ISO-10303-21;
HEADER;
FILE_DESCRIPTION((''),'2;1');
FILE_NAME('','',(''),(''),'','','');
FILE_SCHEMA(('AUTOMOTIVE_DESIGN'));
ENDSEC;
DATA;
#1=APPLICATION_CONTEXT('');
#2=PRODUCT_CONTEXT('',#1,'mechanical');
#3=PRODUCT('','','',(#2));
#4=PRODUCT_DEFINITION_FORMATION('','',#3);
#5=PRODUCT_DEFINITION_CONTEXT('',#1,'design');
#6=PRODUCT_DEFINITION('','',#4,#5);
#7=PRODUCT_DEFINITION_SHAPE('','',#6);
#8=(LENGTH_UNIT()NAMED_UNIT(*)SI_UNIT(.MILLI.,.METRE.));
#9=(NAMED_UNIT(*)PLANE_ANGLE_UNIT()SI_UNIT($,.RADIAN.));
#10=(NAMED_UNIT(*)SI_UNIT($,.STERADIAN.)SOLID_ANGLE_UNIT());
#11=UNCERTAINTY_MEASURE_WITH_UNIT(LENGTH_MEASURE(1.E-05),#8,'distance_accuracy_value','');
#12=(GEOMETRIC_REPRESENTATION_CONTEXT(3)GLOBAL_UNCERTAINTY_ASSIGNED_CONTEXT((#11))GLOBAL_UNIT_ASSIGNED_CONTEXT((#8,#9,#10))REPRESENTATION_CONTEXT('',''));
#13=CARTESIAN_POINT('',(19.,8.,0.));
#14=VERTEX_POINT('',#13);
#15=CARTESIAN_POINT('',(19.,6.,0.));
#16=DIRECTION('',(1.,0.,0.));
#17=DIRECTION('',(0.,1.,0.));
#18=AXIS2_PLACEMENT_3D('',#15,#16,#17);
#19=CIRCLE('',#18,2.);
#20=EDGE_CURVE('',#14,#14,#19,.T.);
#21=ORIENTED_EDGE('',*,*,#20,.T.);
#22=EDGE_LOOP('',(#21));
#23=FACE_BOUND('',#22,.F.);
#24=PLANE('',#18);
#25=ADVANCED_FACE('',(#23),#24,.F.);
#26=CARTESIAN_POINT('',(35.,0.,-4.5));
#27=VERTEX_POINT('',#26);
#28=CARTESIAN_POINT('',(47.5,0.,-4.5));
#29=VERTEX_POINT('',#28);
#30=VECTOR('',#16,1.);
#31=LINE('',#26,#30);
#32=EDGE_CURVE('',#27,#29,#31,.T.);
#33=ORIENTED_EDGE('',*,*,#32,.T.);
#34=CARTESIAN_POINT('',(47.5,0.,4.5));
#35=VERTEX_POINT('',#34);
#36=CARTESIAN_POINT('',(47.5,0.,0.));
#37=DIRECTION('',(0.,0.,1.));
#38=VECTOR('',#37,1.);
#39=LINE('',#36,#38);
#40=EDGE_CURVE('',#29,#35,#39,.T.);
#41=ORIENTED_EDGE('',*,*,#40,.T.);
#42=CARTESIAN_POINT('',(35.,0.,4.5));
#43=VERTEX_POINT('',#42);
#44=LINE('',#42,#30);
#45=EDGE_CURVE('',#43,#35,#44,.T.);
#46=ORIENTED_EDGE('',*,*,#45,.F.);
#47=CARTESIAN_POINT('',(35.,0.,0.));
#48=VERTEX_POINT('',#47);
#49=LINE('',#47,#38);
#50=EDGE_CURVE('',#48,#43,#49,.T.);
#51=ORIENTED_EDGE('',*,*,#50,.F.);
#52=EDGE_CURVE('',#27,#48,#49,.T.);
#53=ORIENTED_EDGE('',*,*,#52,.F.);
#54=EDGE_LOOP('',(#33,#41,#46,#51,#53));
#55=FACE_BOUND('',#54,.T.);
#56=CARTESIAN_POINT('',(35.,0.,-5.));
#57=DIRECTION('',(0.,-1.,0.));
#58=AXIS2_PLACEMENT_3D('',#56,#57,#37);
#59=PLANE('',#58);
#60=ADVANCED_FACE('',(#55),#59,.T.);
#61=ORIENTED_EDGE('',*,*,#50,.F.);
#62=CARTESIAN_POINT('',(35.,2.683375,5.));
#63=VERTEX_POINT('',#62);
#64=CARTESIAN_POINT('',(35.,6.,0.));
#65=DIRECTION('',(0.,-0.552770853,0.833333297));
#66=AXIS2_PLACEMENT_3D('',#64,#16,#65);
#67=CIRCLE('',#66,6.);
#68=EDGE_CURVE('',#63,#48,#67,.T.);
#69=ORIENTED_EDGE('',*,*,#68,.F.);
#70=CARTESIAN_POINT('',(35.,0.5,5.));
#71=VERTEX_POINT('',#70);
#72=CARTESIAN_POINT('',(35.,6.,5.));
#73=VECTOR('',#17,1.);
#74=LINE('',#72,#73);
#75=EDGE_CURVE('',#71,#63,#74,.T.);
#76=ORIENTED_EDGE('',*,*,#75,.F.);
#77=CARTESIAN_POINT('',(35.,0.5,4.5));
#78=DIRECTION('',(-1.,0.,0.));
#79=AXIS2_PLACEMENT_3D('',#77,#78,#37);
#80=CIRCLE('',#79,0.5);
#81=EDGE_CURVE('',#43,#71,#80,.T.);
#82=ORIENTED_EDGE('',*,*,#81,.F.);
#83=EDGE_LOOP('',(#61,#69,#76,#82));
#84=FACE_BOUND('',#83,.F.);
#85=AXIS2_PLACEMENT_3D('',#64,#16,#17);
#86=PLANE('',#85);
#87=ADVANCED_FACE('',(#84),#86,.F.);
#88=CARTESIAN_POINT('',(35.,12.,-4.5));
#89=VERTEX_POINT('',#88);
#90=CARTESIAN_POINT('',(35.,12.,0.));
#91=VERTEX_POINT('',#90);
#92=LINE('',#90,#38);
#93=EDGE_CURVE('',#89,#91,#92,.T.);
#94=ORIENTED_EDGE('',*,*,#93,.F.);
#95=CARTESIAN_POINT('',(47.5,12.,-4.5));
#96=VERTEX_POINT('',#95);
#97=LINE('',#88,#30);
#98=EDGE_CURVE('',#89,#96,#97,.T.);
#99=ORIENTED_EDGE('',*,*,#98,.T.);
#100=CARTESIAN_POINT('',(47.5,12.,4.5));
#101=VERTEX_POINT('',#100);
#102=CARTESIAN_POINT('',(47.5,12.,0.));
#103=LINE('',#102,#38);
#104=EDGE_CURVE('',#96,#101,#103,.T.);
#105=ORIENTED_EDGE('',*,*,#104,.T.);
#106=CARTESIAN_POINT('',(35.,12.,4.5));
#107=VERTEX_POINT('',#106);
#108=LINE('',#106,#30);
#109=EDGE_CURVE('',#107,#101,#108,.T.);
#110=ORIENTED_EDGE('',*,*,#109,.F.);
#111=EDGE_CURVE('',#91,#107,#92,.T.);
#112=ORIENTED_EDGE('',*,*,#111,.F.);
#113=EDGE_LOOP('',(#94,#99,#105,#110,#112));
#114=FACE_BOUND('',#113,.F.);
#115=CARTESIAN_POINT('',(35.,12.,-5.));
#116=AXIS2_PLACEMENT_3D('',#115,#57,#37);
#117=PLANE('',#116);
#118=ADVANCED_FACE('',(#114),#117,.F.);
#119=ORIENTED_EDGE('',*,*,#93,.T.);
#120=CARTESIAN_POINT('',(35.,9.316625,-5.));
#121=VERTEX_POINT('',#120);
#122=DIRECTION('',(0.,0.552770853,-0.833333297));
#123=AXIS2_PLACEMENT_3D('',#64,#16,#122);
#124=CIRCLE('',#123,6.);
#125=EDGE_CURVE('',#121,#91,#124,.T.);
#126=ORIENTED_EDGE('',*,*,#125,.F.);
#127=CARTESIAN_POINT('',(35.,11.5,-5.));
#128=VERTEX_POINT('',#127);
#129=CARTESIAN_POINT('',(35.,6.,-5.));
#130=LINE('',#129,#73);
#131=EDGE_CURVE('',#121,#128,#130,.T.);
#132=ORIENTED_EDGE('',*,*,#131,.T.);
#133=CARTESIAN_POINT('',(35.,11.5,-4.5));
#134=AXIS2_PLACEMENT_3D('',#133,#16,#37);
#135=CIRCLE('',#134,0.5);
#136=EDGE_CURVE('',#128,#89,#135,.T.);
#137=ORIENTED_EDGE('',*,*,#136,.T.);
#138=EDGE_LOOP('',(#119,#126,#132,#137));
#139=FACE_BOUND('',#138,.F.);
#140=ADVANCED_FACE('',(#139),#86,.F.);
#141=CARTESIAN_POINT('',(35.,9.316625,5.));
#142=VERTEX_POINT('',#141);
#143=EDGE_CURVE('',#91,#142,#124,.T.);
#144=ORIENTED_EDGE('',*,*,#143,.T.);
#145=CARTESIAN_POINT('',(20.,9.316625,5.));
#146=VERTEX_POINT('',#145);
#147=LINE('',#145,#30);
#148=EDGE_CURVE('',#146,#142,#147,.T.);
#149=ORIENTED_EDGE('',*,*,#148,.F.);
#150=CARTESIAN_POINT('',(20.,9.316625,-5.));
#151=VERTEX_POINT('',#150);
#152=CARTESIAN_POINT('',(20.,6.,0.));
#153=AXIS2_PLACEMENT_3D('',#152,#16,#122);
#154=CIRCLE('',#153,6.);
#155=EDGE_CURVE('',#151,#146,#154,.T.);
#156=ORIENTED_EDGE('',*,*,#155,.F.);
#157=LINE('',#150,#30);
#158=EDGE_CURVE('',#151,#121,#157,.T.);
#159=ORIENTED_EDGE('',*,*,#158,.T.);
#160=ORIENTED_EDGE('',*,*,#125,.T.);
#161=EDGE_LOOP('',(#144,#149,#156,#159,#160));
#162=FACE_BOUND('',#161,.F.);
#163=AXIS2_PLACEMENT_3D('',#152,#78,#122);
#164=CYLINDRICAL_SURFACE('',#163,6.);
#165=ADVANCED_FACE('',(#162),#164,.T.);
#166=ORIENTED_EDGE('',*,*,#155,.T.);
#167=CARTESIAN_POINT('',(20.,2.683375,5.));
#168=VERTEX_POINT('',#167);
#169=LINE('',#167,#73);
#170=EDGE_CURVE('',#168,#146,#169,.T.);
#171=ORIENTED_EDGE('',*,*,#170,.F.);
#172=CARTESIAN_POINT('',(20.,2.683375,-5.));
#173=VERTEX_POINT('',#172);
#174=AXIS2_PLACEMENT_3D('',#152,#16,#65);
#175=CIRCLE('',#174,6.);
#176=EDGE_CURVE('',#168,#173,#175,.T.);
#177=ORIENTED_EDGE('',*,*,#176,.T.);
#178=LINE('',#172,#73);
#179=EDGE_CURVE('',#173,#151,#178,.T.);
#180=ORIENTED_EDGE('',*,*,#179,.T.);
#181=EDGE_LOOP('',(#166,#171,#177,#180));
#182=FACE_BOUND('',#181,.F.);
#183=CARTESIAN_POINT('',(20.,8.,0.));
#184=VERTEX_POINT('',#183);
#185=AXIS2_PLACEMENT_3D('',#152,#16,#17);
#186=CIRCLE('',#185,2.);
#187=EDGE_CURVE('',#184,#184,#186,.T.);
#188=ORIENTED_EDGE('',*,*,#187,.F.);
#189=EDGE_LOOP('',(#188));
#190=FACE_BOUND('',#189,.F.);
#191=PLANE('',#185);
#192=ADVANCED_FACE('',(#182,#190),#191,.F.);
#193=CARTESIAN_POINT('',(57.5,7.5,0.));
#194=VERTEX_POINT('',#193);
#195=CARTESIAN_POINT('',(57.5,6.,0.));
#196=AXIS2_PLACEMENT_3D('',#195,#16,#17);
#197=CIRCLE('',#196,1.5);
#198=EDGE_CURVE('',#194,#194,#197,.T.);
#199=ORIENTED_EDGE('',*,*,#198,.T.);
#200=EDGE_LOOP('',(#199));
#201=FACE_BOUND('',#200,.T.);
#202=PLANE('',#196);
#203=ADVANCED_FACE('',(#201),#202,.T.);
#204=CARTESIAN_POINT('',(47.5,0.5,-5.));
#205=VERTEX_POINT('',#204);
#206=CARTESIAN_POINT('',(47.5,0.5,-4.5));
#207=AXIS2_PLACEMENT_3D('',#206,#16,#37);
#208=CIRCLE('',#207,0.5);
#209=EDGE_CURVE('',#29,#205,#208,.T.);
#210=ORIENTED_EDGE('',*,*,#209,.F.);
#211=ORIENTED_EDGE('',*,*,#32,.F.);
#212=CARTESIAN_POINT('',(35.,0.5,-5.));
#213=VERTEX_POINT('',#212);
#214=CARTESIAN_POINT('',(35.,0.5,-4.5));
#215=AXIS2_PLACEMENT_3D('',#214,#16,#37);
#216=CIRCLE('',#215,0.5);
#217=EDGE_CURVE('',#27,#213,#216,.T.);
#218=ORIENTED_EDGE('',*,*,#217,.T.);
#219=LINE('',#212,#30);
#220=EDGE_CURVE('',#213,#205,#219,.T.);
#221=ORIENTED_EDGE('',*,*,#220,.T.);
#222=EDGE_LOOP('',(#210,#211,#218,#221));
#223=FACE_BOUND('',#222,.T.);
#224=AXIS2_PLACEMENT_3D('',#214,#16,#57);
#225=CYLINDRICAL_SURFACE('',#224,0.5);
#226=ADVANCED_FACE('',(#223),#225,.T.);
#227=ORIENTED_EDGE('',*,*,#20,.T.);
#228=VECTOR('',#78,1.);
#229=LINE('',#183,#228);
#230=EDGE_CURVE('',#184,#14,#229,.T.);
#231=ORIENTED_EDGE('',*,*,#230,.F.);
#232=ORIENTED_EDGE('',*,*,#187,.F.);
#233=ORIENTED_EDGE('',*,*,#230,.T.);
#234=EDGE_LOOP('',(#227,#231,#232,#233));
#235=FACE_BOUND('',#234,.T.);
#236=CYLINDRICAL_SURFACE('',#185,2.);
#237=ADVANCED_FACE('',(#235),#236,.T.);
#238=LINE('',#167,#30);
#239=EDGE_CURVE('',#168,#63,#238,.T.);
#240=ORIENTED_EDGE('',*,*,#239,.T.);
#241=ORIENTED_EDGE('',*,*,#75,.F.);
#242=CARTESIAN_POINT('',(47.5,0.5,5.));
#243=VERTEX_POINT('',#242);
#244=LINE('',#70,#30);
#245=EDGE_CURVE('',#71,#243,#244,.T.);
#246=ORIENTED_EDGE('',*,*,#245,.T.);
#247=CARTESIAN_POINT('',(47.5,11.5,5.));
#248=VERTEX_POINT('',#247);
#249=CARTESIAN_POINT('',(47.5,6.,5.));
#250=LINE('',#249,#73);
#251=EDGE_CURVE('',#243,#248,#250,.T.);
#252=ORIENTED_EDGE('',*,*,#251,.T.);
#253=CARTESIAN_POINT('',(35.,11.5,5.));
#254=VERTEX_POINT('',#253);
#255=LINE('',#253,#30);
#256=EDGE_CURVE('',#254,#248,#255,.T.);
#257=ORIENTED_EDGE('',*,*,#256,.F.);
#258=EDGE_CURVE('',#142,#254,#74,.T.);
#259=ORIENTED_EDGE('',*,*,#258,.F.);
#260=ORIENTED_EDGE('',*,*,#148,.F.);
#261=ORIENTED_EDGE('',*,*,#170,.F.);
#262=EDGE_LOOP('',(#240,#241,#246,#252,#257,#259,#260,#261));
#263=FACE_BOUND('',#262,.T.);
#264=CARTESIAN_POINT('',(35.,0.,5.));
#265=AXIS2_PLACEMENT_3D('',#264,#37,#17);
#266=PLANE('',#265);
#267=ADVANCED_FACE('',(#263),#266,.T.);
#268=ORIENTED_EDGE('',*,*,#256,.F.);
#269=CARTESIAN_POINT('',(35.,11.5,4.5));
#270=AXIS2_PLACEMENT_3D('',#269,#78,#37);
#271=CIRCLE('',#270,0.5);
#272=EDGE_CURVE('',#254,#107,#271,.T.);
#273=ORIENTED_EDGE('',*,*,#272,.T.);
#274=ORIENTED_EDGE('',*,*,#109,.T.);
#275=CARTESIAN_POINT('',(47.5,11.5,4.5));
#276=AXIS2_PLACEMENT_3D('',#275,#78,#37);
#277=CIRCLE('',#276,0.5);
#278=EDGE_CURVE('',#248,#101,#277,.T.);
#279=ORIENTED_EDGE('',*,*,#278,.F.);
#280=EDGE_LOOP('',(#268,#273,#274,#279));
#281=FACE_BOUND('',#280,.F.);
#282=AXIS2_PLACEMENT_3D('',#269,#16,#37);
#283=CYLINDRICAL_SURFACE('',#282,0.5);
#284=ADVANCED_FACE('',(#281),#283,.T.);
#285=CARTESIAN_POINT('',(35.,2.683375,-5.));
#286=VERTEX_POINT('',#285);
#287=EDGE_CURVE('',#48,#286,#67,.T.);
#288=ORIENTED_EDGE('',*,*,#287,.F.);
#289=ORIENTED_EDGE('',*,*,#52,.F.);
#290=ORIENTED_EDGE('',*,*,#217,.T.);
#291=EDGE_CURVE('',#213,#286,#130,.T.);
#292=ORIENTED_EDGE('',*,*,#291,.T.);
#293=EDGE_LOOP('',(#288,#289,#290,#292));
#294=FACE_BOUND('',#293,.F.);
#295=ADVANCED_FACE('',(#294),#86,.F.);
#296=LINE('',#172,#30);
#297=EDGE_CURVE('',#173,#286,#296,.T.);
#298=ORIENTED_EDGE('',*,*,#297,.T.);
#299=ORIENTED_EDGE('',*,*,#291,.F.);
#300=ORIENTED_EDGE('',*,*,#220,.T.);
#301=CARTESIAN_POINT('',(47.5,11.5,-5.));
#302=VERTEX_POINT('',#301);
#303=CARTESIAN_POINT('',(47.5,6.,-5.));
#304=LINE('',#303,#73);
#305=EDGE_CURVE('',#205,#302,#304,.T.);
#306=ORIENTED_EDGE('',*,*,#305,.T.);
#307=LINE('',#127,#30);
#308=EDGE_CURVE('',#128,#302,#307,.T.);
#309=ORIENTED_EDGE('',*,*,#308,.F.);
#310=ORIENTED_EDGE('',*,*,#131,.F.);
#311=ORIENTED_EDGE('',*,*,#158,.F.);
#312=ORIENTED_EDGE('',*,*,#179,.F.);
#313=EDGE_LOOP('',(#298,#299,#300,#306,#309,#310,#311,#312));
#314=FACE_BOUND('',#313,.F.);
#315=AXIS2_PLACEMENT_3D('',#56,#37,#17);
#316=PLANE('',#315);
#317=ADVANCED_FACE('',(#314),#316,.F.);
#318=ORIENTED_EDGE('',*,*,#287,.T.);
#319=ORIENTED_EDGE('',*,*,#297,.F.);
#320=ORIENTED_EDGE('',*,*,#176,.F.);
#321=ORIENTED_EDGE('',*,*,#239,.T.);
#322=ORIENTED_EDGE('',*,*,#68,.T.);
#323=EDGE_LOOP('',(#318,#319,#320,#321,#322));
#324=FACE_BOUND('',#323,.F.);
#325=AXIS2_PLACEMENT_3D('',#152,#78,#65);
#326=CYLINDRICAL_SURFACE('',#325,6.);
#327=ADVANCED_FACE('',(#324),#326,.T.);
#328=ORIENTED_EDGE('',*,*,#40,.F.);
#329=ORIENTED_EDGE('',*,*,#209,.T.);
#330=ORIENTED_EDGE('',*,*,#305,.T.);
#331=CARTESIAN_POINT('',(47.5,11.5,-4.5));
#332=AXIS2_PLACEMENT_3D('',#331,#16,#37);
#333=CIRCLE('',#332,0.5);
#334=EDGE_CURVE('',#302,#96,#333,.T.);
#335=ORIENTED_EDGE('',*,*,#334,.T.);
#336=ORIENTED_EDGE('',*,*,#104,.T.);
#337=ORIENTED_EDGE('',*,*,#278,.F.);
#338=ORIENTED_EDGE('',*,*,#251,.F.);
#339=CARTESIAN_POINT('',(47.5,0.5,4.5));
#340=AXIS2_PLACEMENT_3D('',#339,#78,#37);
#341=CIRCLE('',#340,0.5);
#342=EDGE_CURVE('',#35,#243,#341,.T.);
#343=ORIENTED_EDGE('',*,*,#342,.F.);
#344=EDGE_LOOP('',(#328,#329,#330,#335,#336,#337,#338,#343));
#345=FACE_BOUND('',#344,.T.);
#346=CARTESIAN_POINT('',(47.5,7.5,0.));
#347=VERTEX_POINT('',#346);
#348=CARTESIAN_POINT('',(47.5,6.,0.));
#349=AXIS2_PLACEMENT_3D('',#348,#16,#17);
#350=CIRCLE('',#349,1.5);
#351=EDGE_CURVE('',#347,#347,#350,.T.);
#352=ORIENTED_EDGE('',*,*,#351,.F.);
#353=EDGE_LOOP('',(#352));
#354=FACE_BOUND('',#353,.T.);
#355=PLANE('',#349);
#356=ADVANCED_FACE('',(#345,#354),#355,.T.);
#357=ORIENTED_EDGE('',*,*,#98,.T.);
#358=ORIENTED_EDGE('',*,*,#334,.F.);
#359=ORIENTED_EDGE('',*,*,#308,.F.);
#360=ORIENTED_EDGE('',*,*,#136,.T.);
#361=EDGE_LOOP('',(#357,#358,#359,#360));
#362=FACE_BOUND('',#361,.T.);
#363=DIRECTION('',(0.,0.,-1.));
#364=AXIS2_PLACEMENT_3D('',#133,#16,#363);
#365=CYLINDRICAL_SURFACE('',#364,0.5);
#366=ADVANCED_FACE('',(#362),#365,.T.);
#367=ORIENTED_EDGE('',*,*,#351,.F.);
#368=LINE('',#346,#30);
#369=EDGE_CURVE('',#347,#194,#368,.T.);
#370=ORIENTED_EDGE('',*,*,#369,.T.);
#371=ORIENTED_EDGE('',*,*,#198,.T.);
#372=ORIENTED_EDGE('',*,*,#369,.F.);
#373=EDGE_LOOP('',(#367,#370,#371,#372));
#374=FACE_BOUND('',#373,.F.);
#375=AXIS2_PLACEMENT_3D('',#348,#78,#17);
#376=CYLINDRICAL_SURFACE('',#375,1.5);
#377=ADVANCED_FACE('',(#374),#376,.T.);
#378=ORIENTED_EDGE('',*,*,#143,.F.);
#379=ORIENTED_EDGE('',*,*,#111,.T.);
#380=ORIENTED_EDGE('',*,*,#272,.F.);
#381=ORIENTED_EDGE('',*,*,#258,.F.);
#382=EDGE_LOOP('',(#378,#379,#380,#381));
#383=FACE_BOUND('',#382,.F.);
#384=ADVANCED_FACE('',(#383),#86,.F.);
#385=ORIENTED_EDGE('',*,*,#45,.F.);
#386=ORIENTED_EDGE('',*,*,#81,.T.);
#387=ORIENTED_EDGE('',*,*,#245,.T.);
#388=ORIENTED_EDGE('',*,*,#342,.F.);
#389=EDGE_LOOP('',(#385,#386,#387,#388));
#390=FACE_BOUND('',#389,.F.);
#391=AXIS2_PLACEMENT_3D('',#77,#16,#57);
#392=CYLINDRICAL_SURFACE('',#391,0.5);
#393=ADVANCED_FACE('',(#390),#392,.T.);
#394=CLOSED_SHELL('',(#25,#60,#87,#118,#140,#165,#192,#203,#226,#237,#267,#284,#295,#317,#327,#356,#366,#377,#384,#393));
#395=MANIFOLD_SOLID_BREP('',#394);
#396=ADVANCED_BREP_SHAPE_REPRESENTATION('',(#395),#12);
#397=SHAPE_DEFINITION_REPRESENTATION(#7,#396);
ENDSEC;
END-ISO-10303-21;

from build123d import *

# Parameters (mm, degrees)
PAD002_DEPTH = 15
SKETCH006_R  = 2
PAD003_DEPTH = 1
SKETCH007_W  = 12
SKETCH007_H  = 10
PAD004_DEPTH = 12.5
FILLET_R     = 0.5
SKETCH008_R  = 1.5
PAD005_DEPTH = 10


with BuildPart() as part:
    # Sketch005 → Pad002 (new body)
    with BuildSketch(Plane.YZ):
        with BuildLine():
            ThreePointArc((-3.316625, 5), (-6, 0), (-3.316625, -5))
            Line((-3.316625, -5), (3.316625, -5))
            ThreePointArc((3.316625, -5), (6, 0), (3.316625, 5))
            Line((-3.316625, 5), (3.316625, 5))
        make_face()
    extrude(amount=PAD002_DEPTH)

    # Sketch006 → Pad003 (join)
    with BuildSketch(Plane.YZ):
        Circle(SKETCH006_R)
    extrude(amount=-PAD003_DEPTH)

    # Sketch007 → Pad004 (join)
    with BuildSketch(Plane.YZ.offset(15)):
        Rectangle(SKETCH007_W, SKETCH007_H)
    extrude(amount=PAD004_DEPTH)

    # Fillet
    fillet_edges = [part.edges().sort_by_distance(p)[0] for p in [
        (21.25, -6, 5),
        (21.25, 6, 5),
        (21.25, -6, -5),
        (21.25, 6, -5),
    ]]
    fillet(fillet_edges, radius=FILLET_R)

    # Sketch008 → Pad005 (join)
    with BuildSketch(Plane.YZ.offset(27.5)):
        Circle(SKETCH008_R)
    extrude(amount=PAD005_DEPTH)


with BuildPart() as part_1:
    # Body002 placement: moved
    add(part.part.moved(Location((20, 6, 0))))


solid = part_1.part
